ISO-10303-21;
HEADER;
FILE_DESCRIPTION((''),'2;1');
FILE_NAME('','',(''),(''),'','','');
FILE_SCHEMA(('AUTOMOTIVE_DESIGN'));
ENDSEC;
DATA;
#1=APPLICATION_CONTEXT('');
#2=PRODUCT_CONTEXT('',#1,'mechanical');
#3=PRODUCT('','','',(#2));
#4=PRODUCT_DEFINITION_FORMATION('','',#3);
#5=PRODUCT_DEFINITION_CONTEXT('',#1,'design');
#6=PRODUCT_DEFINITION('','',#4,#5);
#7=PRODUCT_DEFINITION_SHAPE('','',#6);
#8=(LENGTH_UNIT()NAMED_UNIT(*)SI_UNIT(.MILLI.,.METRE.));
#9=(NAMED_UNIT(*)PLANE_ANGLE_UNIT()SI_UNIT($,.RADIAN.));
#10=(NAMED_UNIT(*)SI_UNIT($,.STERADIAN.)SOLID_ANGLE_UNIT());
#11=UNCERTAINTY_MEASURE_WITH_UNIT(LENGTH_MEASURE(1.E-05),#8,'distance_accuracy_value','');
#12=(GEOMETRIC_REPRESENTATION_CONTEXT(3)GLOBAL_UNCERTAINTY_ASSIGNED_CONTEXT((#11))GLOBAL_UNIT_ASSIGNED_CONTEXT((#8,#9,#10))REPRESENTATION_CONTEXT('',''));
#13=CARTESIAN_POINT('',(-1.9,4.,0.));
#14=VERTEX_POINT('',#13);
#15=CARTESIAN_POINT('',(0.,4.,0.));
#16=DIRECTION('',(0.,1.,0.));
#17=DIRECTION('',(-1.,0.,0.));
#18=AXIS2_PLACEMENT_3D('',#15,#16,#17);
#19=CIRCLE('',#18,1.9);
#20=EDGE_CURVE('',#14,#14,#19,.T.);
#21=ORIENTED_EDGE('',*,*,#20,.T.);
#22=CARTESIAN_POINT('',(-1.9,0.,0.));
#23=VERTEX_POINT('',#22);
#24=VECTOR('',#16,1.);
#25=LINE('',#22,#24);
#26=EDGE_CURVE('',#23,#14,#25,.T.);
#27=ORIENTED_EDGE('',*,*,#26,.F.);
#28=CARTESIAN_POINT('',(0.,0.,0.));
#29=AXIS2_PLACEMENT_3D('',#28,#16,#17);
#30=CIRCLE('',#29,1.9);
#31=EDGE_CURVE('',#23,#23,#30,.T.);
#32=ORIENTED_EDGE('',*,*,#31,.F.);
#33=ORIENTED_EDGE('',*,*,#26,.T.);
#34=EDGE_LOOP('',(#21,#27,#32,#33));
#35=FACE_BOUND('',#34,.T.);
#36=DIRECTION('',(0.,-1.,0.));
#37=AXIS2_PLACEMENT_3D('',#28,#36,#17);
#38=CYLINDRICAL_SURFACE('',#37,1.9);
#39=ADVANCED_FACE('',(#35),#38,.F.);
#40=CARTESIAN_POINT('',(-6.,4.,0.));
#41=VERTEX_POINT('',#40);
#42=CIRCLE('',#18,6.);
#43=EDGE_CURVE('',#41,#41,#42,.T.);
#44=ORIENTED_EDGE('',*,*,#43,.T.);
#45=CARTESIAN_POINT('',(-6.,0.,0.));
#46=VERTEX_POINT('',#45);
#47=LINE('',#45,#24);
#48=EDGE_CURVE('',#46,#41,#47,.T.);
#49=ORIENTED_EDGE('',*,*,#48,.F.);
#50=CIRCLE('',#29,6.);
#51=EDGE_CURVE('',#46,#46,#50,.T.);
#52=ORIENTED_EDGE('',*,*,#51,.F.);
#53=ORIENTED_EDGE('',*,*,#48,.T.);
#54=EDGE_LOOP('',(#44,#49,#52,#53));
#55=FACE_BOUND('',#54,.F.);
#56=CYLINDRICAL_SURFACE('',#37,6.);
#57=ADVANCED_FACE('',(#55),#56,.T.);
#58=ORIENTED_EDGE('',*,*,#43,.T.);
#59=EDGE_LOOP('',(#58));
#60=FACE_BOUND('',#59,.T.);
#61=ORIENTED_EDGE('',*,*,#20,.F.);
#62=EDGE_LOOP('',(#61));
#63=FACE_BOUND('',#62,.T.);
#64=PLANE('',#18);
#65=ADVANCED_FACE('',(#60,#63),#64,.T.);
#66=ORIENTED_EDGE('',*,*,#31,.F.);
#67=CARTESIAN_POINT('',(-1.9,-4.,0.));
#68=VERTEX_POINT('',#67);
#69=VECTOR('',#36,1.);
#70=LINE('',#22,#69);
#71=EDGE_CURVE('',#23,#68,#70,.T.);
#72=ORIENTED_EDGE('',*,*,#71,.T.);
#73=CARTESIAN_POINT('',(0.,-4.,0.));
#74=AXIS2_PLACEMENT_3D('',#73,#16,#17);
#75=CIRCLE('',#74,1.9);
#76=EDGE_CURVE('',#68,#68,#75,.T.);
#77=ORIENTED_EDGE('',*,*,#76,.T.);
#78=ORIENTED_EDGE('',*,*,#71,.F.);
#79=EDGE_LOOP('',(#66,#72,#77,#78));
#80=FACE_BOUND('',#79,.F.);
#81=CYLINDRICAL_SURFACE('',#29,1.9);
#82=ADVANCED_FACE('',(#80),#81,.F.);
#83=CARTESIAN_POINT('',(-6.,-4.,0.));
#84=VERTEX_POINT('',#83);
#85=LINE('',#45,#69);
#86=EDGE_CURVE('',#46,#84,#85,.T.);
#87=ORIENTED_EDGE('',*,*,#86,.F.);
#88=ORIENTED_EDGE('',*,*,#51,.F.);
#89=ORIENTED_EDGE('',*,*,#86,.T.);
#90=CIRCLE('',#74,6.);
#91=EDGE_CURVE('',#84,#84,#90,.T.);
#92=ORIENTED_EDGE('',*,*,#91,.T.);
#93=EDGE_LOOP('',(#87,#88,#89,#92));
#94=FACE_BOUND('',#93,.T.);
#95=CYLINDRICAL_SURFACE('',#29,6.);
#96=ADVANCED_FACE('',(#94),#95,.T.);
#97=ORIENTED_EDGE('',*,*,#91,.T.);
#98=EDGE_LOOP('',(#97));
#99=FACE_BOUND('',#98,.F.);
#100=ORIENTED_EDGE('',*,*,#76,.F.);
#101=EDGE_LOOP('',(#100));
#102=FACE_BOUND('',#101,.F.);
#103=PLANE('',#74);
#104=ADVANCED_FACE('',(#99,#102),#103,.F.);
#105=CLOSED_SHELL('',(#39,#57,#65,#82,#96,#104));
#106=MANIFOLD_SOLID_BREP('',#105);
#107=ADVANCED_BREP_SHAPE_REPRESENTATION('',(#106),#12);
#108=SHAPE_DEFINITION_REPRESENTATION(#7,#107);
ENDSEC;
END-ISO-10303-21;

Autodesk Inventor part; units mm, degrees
sketch "Эскиз1" plane through (0, 0, 0) normal (0, 1, 0) x (-1, 0, 0)
  circle A0 centre (0, 0) radius 6
  circle A1 centre (0, 0) radius 1.9
  dimension "d0" = 12
  dimension "d1" = 3.8
extrude "Выдавливание1" add sketch "Эскиз1" along normal mid plane 8
properties part number "Проставка"
